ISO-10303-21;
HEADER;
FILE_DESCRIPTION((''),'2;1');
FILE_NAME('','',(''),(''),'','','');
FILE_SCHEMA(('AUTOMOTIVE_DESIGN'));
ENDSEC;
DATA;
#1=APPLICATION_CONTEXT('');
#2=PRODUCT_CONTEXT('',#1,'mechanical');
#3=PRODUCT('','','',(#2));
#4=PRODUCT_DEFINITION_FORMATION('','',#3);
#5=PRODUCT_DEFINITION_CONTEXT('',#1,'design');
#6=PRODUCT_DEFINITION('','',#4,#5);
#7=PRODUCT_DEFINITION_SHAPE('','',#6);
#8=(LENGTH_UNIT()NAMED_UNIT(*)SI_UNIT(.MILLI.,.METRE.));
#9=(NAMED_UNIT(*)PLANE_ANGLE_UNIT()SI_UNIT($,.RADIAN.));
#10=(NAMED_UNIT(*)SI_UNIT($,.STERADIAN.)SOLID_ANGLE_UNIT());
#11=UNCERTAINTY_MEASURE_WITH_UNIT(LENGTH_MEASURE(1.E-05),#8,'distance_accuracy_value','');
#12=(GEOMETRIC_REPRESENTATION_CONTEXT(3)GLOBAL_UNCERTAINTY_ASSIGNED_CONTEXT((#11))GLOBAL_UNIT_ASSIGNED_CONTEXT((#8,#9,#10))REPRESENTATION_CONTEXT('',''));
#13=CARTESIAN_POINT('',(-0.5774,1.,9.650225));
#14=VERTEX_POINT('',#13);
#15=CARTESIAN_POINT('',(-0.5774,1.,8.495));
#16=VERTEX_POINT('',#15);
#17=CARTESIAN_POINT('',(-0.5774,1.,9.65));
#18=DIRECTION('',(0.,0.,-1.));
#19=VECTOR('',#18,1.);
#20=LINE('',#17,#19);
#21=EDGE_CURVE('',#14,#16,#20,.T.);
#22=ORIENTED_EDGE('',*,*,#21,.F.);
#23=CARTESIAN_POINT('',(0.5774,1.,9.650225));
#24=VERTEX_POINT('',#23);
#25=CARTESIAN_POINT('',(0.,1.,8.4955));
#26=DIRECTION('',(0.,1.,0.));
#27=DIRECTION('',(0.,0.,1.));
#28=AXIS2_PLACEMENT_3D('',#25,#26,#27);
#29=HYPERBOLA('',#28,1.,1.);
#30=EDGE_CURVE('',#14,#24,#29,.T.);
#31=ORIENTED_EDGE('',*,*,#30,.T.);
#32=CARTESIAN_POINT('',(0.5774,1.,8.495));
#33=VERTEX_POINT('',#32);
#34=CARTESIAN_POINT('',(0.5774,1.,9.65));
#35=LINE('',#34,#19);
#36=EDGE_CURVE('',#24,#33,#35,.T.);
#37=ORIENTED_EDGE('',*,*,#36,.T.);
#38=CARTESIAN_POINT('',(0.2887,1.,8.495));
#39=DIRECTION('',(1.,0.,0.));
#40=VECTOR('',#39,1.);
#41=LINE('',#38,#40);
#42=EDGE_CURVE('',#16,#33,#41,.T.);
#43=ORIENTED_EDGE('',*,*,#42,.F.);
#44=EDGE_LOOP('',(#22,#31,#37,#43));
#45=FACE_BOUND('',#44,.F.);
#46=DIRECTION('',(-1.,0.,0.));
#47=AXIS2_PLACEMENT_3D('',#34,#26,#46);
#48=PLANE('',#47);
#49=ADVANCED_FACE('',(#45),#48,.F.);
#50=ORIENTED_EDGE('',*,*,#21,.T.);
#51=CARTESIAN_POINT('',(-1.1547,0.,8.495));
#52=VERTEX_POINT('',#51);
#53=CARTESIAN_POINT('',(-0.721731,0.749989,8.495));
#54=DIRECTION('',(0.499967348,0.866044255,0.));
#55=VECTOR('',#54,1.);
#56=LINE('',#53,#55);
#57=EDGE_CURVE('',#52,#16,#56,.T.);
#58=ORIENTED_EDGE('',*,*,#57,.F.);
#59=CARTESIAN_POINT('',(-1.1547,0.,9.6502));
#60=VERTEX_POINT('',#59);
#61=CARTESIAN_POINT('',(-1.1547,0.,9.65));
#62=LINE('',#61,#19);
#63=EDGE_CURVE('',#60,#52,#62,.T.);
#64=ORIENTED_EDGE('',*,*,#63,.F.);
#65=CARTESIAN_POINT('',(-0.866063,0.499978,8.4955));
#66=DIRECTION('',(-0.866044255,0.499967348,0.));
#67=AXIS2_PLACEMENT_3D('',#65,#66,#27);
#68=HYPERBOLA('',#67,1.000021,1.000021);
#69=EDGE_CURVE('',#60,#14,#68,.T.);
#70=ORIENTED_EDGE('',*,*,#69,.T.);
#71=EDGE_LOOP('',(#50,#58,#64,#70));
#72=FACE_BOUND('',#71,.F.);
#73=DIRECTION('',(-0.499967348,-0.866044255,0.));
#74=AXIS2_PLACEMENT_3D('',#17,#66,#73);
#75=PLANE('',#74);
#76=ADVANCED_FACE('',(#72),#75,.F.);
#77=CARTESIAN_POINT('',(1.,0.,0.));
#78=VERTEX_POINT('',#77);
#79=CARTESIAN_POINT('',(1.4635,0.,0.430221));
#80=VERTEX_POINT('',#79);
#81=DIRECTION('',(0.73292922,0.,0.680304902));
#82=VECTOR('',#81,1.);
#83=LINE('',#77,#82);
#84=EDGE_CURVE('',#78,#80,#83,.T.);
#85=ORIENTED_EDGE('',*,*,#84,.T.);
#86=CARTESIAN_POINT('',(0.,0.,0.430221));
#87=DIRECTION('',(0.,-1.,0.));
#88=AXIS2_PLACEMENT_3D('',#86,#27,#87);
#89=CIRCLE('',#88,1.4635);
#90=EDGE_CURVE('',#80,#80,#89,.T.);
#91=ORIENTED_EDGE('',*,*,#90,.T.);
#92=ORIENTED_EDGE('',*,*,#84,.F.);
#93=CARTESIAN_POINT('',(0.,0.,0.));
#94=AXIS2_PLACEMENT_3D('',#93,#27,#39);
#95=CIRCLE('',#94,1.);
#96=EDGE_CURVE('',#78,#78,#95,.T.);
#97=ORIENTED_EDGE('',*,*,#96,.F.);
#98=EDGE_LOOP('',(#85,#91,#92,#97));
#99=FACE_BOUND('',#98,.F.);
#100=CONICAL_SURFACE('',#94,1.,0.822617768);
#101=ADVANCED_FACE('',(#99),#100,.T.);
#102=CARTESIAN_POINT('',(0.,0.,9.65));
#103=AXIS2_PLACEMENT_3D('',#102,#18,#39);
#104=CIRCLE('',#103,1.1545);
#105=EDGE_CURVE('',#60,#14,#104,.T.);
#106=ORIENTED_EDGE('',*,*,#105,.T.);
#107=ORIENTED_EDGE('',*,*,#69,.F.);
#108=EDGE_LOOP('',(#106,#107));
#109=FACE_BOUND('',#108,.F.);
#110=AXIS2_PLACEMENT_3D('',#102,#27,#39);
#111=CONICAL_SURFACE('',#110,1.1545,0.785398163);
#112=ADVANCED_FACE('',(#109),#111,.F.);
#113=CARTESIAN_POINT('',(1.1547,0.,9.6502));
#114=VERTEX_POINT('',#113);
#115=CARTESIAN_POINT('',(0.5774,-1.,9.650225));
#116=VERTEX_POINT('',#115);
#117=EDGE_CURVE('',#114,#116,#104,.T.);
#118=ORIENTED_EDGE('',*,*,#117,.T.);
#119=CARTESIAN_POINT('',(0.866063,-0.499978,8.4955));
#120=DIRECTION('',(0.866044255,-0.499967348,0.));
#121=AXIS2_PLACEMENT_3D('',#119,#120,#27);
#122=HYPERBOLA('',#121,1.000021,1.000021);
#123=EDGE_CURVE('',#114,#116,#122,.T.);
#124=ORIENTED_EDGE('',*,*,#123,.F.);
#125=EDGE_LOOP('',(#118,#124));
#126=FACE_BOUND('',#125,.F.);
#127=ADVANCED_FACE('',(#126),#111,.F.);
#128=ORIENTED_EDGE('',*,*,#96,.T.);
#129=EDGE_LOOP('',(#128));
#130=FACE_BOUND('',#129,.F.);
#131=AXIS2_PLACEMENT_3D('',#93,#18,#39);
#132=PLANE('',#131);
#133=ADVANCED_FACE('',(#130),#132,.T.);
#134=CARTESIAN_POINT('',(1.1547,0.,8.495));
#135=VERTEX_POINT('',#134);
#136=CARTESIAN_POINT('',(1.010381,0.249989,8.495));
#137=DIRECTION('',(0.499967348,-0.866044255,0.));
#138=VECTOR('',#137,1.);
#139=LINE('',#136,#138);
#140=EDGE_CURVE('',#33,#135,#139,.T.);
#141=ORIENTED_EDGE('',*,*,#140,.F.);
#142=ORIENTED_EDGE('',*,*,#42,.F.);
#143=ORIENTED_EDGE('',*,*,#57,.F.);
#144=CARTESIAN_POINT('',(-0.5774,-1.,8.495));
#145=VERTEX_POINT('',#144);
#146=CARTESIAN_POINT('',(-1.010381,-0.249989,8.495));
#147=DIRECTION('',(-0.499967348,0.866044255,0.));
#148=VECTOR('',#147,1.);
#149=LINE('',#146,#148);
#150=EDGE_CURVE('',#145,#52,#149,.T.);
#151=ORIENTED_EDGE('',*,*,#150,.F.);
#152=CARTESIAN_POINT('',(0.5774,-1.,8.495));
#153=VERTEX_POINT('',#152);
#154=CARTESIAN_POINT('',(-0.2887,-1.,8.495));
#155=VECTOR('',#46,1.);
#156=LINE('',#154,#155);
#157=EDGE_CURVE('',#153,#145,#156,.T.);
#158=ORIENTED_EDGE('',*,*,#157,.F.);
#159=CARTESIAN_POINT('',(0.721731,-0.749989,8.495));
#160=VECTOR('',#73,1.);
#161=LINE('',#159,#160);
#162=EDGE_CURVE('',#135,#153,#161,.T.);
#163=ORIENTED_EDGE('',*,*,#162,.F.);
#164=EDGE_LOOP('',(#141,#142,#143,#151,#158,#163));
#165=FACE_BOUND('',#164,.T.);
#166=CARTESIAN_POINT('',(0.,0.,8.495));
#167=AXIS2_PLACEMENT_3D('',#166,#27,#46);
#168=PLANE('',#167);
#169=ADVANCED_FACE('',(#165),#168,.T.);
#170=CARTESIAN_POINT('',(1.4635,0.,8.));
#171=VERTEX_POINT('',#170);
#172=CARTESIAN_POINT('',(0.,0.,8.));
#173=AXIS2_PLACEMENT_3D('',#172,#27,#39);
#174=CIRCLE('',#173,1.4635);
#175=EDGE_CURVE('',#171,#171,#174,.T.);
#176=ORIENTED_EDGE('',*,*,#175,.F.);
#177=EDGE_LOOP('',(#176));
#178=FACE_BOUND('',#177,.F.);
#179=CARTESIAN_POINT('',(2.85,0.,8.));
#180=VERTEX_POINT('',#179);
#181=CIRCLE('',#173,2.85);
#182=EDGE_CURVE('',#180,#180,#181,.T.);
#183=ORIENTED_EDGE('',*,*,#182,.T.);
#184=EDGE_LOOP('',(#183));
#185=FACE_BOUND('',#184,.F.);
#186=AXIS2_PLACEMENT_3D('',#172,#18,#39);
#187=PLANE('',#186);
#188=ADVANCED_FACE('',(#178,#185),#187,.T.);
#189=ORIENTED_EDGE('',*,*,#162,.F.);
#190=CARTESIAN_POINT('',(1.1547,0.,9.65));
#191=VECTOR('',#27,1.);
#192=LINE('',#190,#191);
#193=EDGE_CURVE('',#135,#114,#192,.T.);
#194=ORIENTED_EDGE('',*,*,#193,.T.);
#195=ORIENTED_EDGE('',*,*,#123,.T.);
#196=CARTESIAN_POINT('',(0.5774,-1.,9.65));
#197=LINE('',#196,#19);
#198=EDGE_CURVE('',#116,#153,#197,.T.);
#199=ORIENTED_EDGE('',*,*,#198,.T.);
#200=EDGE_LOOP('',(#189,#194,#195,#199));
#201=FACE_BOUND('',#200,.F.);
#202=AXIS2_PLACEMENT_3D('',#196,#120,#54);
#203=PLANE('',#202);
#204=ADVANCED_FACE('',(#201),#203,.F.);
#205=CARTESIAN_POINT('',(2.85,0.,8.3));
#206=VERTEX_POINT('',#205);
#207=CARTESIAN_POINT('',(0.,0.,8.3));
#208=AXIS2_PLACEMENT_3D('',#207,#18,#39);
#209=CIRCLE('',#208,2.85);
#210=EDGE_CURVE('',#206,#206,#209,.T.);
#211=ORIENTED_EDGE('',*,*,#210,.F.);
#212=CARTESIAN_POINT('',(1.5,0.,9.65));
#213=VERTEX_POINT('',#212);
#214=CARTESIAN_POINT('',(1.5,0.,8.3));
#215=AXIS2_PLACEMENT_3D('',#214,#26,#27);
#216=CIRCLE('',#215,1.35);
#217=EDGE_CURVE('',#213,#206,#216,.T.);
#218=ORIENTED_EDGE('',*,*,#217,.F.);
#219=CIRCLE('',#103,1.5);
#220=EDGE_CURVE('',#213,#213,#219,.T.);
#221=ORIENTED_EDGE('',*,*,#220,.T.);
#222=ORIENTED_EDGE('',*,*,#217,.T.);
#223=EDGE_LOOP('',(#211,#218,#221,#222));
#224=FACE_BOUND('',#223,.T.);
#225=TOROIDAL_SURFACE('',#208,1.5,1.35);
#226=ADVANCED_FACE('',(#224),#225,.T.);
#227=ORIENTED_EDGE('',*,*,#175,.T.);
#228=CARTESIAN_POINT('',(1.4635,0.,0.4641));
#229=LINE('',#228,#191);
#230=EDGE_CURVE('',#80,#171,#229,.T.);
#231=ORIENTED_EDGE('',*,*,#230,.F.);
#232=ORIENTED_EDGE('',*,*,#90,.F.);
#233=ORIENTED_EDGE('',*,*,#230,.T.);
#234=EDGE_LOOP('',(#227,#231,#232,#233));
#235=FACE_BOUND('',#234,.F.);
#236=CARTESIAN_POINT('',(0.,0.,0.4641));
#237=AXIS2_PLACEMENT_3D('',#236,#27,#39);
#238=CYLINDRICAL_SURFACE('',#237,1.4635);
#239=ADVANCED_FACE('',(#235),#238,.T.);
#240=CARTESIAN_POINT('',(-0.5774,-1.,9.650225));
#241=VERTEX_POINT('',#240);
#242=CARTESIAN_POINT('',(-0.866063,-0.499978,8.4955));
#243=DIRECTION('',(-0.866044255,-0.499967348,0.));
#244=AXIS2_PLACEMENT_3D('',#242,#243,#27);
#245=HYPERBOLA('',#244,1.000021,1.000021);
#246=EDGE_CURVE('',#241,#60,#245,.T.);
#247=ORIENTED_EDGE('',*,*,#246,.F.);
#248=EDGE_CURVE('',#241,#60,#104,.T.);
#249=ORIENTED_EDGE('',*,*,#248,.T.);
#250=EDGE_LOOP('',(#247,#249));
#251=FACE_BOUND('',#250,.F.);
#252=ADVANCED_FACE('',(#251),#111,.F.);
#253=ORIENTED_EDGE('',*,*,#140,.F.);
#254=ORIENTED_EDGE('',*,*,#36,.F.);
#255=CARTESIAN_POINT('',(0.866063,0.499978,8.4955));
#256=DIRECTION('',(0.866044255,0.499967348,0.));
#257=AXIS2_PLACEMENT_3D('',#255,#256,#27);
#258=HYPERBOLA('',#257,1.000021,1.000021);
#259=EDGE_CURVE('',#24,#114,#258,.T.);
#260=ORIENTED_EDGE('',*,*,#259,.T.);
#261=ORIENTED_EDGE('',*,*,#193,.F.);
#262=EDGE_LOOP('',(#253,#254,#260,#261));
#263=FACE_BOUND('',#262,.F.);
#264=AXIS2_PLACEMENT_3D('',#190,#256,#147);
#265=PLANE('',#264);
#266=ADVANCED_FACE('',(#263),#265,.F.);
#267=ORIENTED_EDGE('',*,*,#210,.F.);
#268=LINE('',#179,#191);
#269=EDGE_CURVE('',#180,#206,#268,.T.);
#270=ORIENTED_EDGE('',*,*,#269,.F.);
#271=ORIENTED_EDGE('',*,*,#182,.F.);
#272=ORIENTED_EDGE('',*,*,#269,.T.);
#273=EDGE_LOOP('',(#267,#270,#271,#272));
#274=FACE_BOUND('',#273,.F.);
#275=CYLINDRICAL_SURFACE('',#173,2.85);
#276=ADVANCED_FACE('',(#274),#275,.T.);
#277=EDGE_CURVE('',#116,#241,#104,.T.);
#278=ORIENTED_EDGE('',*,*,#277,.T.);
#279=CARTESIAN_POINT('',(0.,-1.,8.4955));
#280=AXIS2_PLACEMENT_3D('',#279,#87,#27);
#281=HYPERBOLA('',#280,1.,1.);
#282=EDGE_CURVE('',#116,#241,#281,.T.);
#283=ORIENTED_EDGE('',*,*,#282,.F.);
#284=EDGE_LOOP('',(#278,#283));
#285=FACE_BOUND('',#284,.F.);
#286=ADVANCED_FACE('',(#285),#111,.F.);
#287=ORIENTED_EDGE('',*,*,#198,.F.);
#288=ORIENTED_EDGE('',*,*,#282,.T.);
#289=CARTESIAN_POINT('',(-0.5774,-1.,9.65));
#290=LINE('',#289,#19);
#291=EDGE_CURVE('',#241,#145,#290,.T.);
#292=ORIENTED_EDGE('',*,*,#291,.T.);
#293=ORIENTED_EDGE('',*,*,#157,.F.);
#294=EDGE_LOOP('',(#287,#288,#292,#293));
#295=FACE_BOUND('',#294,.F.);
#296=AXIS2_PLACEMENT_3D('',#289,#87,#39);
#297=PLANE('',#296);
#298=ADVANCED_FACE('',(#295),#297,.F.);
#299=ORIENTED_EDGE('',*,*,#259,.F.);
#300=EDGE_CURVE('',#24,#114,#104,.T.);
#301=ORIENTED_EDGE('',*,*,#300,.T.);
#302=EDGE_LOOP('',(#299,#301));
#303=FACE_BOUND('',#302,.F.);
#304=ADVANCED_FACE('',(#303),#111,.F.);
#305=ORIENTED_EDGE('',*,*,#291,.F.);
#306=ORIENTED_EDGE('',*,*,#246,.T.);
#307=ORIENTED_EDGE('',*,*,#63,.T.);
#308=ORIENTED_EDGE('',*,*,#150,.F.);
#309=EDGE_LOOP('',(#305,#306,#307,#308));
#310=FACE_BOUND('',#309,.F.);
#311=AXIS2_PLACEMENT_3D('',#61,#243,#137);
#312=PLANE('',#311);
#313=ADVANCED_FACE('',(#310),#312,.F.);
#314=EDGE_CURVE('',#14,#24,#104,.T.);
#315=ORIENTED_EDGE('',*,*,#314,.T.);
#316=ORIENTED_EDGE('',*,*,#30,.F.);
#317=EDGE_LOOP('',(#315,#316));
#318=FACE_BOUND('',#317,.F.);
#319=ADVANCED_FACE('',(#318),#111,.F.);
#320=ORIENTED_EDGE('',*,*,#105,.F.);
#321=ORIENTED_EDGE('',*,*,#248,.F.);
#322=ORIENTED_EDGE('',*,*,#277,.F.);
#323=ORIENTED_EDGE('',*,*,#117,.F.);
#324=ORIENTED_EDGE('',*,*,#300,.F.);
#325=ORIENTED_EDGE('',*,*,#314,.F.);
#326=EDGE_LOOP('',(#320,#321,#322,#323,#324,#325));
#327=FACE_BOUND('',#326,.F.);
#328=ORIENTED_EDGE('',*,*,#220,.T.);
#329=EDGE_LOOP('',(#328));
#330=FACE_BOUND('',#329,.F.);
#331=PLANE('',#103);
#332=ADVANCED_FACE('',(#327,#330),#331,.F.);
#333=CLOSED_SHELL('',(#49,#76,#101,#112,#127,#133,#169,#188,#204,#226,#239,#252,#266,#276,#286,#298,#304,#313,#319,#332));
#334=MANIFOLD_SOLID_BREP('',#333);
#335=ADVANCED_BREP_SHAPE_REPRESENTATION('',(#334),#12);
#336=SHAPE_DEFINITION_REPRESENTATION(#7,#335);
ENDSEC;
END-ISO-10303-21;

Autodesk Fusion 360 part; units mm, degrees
sketch "Sketch1" plane through (0, 0, 0) normal (0, 1, 0) x (1, 0, 0)
  line L0 (0, 0) -> (1, 0)
  line L1 (1, 0) -> (1.5, -0.4641)
  line L2 (1.5, -0.4641) -> (1.5, -8)
  line L3 (1.5, -8) -> (2.85, -8)
  line L4 (2.85, -8) -> (2.85, -8.3)
  arc A0 (1.5, -9.65) -> (2.85, -8.3) centre (1.5, -8.3) ccw
  line L5 (1.5, -9.65) -> (0, -9.65)
  line L6 (0, -9.65) -> (0, 0)
  line L7 (1.1545, -9.65) -> (0, -8.4955)
  dimension "d2" = 8
  dimension "d3" = 0.5
  dimension "d4" = 1.5
  dimension "d5" = 1.5
  dimension "d6" = 2.85
  dimension "d7" = 1.65
  dimension "d11" = 1.1545
  dimension "d12" = 45
revolve "Revolve1" add sketch "Sketch1" angle 360 about axis through (0, 0, 9.65) along (0, 0, -1) contours L0 L1 L2 L3 L4 A0 L5 L6 L7
sketch "Sketch2" plane through (0, 0, 9.65) normal (0, 0, 1) x (-1, 0, 0)
  circle A0 centre (0, 0) radius 1.5
  circle A1 centre (0, 0) radius 1.1545
  line L0 (-0.5774, 1) -> (-1.1547, 0)
  line L1 (-1.1547, 0) -> (-0.5774, -1)
  line L2 (-0.5774, -1) -> (0.5774, -1)
  line L3 (0.5774, -1) -> (1.1547, 0)
  line L4 (1.1547, 0) -> (0.5774, 1)
  line L5 (0.5774, 1) -> (-0.5774, 1)
  dimension "d14" = 1
extrude "Extrude1" cut sketch "Sketch2" against normal blind 1.155 contours L0 L1 L2 L3 L4 L5
thread "Thread1" "ISO Metric profile 3.0 M3x0.5 6g" major diameter 2.927 minor diameter 2.3555 pitch 0.5 angle 60 resizes the face on face at (1.4981, 0.0748, 5.488)
equation "Length = 8 mm"
equation "d2 = Length"
equation "d4 = ( 3 / 2 ) * 1 mm"
equation "d5 = ( 3 / 2 ) * 1 mm"
equation "d6 = Head_Diameter / 2"
equation "d7 = Head_Length"
equation "d11 = 2.309 mm / 2"
equation "Head_Length = 1.65 mm"
equation "Head_Diameter = 5.7 mm"
properties part number "M3x8mm BHCS"
